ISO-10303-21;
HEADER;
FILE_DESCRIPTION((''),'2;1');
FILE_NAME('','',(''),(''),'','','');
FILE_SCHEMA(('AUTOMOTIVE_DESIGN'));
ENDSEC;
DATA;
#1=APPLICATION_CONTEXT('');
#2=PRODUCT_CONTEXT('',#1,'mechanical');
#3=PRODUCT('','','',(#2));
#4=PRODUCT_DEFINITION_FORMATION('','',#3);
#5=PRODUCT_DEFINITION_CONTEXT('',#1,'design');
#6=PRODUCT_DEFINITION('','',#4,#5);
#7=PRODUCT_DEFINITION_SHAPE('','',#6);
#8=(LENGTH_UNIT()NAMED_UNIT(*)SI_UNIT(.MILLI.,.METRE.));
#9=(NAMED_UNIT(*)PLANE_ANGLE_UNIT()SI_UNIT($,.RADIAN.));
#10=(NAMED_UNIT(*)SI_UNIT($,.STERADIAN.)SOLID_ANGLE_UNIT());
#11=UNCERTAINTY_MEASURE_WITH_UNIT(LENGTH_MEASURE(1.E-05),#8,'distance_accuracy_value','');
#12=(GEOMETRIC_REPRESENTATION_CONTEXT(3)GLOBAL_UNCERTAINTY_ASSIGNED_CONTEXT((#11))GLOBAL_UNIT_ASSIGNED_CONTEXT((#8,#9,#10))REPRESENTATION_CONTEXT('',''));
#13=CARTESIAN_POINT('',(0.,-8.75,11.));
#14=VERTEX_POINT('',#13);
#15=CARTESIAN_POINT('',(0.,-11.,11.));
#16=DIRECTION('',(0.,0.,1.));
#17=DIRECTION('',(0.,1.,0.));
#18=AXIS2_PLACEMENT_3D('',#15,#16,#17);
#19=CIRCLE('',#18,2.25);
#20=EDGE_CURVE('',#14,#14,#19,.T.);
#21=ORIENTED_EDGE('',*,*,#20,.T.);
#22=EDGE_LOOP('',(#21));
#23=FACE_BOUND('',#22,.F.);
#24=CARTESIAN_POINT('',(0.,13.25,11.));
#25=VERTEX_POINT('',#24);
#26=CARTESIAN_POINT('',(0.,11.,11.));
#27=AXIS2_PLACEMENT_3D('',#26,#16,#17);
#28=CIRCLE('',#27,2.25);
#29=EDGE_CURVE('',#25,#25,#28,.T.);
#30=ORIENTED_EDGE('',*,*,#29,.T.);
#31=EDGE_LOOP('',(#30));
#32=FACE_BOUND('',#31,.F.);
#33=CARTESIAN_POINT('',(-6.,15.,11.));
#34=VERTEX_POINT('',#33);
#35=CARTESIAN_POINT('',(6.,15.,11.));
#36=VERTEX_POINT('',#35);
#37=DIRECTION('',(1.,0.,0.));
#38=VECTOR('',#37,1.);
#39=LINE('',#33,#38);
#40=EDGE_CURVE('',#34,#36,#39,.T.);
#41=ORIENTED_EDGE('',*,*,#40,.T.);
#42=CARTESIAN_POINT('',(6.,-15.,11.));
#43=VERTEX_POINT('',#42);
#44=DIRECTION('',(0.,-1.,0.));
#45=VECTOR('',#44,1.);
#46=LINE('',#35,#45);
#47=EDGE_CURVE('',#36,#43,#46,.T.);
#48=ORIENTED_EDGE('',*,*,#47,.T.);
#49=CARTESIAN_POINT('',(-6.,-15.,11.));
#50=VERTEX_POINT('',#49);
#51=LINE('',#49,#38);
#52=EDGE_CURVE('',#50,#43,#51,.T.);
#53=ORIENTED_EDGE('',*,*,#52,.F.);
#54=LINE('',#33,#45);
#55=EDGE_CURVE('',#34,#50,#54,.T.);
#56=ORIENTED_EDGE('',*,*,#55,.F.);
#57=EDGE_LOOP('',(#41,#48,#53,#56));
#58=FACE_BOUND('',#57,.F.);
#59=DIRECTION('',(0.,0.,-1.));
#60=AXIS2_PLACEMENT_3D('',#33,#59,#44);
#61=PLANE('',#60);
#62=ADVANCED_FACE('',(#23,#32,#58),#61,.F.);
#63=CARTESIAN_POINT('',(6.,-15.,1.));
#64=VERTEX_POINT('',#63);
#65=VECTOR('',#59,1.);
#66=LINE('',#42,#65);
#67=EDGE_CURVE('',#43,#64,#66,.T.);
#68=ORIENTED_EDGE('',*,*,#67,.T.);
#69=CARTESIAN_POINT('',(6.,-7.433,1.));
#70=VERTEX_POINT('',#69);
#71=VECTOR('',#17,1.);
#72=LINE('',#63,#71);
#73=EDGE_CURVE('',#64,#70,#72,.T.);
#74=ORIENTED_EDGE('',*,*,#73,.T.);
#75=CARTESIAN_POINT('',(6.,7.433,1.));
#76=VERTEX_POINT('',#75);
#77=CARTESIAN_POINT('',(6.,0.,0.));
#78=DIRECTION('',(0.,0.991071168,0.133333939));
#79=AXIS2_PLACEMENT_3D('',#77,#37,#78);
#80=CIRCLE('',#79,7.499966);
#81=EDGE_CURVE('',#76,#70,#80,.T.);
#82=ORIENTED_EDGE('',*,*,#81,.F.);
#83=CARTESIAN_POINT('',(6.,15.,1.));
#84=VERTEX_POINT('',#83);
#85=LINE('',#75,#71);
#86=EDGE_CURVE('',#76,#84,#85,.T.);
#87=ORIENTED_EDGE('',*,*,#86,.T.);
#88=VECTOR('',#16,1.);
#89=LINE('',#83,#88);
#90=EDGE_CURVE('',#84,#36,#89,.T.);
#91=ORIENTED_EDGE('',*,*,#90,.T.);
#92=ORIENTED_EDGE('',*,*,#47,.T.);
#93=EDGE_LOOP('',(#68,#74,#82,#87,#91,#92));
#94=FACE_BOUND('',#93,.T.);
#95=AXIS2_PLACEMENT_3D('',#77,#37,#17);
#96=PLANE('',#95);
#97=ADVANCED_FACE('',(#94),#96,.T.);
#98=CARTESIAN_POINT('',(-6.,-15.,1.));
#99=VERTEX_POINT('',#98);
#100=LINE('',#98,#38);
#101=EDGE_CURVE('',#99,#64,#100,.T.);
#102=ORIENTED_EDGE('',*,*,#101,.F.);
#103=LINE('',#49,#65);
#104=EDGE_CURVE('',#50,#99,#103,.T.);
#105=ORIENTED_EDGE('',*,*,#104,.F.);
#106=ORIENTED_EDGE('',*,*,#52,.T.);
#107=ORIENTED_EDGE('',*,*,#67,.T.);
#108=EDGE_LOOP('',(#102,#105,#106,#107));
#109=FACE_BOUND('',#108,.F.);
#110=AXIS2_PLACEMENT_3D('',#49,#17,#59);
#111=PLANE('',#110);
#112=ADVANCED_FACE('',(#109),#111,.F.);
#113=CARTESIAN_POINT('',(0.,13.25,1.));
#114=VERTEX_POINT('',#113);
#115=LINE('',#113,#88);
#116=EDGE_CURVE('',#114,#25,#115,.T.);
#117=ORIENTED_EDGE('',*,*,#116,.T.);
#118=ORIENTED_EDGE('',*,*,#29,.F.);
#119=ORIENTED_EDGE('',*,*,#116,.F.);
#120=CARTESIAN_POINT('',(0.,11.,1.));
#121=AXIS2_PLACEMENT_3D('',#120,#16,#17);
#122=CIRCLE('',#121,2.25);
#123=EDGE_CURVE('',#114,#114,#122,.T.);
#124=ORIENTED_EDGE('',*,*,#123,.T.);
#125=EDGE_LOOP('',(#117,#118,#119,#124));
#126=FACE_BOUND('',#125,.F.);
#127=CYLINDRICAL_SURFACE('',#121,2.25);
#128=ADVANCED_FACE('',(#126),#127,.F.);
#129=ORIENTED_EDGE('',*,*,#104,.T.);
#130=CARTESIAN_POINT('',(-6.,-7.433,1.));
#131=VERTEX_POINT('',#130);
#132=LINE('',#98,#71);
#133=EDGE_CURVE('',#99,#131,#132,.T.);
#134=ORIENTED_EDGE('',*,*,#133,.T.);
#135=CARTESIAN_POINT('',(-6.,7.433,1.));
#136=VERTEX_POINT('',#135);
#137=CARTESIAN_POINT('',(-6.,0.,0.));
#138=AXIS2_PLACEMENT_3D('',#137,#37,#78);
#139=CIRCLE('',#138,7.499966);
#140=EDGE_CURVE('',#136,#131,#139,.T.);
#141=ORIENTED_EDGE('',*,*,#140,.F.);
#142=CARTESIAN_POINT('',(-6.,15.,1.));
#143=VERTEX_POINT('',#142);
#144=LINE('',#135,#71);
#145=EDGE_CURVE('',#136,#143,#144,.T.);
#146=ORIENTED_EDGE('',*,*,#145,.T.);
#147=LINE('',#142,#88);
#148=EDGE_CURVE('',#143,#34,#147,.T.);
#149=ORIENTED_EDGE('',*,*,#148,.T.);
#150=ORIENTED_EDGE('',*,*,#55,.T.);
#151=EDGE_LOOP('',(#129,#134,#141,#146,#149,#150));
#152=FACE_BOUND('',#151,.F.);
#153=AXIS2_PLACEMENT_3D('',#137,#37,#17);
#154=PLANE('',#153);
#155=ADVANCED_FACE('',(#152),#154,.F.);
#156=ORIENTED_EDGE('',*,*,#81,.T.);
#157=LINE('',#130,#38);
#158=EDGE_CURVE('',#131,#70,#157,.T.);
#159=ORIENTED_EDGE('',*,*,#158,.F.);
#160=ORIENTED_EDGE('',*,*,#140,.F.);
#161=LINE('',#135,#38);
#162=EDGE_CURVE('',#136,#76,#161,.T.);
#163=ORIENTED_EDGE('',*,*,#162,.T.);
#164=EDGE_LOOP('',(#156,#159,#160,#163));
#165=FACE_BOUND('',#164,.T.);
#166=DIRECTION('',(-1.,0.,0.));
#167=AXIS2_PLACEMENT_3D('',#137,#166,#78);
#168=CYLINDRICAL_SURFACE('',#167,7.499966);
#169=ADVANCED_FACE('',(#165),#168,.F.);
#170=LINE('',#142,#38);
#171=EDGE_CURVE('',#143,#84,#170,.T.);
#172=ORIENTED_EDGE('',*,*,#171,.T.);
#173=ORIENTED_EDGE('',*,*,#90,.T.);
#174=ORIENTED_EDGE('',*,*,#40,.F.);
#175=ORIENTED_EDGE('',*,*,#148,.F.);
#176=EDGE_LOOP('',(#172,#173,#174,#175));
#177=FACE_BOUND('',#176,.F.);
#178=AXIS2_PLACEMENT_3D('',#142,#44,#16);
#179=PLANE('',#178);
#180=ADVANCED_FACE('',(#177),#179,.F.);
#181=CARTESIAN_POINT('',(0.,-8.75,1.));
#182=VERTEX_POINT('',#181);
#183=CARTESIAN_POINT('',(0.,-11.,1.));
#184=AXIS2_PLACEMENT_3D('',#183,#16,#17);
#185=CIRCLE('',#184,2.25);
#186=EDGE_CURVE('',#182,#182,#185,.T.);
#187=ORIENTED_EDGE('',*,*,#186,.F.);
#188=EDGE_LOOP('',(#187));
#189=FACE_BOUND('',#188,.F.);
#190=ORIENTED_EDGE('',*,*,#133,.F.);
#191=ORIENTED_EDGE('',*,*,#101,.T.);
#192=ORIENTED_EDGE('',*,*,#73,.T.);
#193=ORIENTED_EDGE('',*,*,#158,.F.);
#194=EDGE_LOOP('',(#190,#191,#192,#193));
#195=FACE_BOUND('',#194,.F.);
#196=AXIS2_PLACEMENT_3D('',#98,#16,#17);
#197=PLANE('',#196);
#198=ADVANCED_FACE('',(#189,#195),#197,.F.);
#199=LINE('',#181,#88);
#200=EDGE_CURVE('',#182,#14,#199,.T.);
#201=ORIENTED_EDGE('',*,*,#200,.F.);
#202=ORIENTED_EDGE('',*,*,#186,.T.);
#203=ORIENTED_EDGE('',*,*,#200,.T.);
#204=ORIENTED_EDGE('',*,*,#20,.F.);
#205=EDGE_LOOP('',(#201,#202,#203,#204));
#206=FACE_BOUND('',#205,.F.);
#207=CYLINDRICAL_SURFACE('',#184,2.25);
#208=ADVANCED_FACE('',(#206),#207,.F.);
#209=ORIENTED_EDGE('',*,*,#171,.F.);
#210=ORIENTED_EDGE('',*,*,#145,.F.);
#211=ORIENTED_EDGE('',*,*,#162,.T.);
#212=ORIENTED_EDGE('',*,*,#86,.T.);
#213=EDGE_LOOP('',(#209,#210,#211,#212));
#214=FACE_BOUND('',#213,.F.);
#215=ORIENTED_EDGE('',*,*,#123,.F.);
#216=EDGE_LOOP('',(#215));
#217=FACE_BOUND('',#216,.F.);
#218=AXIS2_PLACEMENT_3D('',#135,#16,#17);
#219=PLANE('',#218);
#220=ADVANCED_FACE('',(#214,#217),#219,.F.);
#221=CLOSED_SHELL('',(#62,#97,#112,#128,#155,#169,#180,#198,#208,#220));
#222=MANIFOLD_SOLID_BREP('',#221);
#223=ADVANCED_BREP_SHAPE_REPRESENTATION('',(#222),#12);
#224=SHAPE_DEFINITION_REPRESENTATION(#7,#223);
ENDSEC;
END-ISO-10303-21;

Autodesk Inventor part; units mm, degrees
ref_plane "XZ Plane" through (0, 0, 0) normal (0, 1, 0) x (-1, 0, 0)
ref_plane "XY Plane" through (0, 0, 0) normal (0, 0, 1) x (1, 0, 0)
ref_plane "Work Plane1" through (-6, 0, 0) normal (1, 0, 0) x (0, 1, 0)
sketch "Sketch1" plane through (-6, 0, 0) normal (1, 0, 0) x (0, 1, 0)
  line L0 (7.433, 1) -> (15, 1)
  line L1 (-15, 11) -> (-15, 1)
  arc A0 (7.433, 1) -> (-7.433, 1) centre (0, 0) ccw
  line L2 (15, 1) -> (15, 11)
  line L3 (15, 11) -> (-15, 11)
  line L4 (-15, 1) -> (-7.433, 1)
extrude "Extrusion1" add sketch "Sketch1" along normal blind 12
hole "Hole2" at (0, -11, 1) direction (0, 0, 1) diameter 4.5 depth 10
sketch "Sketch2" plane through (-6, -15, 1) normal (0, 0, -1) x (-1, 0, 0)
  point P0 (-6, 4)
hole "Hole1" at (0, 11, 1) direction (0, 0, 1) diameter 4.5 depth 10
sketch "Sketch3" plane through (-6, -15, 1) normal (0, 0, -1) x (-1, 0, 0)
  point P0 (-6, 26)
properties part number "Y-axis LM8UU clamp" material "ASA Plastic"
